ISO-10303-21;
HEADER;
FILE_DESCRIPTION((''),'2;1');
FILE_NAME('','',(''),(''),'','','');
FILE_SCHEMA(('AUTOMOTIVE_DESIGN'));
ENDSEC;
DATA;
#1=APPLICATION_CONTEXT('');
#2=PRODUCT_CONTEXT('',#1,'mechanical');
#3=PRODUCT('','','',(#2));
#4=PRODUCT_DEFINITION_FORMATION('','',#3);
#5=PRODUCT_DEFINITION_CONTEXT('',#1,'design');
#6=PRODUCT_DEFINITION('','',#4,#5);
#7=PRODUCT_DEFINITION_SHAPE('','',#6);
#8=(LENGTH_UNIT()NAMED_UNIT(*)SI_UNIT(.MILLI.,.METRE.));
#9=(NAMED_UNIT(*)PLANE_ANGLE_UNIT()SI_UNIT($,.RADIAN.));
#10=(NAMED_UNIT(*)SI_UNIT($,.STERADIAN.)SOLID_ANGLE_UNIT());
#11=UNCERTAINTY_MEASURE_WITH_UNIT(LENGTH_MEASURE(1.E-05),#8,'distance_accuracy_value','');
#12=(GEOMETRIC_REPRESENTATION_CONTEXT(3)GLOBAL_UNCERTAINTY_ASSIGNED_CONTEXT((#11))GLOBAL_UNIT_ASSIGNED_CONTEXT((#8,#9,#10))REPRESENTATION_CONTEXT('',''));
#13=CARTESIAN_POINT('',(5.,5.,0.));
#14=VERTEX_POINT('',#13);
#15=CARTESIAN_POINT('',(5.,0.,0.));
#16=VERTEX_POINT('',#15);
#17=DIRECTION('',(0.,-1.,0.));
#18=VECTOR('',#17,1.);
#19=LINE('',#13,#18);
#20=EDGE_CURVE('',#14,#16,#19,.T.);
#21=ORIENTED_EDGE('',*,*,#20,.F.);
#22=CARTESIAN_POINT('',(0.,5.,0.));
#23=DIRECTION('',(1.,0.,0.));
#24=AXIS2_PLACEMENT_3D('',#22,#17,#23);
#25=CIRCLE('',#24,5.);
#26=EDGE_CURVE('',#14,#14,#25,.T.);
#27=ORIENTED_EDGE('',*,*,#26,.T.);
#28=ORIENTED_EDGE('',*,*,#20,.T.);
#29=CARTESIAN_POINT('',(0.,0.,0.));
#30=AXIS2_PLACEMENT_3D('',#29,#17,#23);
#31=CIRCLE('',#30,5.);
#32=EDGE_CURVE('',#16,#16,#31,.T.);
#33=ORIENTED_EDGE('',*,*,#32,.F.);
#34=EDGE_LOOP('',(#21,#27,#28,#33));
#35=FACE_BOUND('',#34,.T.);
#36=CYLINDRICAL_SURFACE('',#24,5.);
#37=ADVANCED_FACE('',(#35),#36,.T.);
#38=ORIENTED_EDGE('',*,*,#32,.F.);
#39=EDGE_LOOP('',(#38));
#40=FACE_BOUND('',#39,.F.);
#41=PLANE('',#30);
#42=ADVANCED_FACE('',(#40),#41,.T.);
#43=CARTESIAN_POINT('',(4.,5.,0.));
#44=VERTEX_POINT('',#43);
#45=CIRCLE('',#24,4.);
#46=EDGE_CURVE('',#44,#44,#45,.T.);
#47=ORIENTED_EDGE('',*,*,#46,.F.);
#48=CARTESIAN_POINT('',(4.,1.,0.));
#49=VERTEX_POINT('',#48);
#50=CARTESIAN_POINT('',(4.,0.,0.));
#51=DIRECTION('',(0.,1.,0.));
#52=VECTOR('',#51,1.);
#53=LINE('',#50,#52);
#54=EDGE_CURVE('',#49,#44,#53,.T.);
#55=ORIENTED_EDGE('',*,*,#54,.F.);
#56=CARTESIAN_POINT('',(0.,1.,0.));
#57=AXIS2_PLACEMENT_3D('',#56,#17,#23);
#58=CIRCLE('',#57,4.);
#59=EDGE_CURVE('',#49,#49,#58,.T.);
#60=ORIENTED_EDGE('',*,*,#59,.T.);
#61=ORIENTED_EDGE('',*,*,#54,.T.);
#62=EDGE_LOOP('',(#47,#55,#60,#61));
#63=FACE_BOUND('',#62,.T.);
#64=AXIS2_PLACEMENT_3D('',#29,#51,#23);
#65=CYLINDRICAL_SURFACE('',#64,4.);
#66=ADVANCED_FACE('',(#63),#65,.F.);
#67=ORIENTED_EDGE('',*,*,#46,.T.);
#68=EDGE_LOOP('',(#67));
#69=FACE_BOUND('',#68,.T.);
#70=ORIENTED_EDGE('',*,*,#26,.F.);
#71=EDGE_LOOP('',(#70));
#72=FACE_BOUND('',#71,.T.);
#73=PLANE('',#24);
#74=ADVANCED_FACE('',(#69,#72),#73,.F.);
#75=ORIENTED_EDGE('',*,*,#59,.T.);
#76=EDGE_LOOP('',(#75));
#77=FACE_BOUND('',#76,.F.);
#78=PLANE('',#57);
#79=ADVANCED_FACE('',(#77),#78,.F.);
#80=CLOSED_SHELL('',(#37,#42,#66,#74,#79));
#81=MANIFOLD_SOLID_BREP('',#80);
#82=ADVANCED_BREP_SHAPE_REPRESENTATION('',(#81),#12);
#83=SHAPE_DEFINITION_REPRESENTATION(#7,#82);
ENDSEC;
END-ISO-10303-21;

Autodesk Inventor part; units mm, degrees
ref_plane "YZ Plane" through (0, 0, 0) normal (1, 0, 0) x (0, 1, 0)
ref_plane "XZ Plane" through (0, 0, 0) normal (0, 1, 0) x (-1, 0, 0)
ref_plane "XY Plane" through (0, 0, 0) normal (0, 0, 1) x (1, 0, 0)
sketch "Sketch1" plane through (0, 0, 0) normal (0, 0, 1) x (1, 0, 0)
  line L0 (0, 0) -> (5, 0)
  line L1 (5, 0) -> (5, 1)
  line L2 (5, 1) -> (0, 1)
  line L3 (0, 1) -> (0, 0)
  line L4 (5, 0) -> (4, 0)
  line L5 (4, 0) -> (4, 5)
  line L6 (4, 5) -> (5, 5)
  line L7 (5, 5) -> (5, 0)
  dimension "d0" = 5
  dimension "d1" = 1
  dimension "d2" = 1
  dimension "d3" = 5
revolve "Revolution1" add sketch "Sketch1" angle 360 about axis through (0, 1, 0) along (0, -1, 0)
properties part number "Petri"
